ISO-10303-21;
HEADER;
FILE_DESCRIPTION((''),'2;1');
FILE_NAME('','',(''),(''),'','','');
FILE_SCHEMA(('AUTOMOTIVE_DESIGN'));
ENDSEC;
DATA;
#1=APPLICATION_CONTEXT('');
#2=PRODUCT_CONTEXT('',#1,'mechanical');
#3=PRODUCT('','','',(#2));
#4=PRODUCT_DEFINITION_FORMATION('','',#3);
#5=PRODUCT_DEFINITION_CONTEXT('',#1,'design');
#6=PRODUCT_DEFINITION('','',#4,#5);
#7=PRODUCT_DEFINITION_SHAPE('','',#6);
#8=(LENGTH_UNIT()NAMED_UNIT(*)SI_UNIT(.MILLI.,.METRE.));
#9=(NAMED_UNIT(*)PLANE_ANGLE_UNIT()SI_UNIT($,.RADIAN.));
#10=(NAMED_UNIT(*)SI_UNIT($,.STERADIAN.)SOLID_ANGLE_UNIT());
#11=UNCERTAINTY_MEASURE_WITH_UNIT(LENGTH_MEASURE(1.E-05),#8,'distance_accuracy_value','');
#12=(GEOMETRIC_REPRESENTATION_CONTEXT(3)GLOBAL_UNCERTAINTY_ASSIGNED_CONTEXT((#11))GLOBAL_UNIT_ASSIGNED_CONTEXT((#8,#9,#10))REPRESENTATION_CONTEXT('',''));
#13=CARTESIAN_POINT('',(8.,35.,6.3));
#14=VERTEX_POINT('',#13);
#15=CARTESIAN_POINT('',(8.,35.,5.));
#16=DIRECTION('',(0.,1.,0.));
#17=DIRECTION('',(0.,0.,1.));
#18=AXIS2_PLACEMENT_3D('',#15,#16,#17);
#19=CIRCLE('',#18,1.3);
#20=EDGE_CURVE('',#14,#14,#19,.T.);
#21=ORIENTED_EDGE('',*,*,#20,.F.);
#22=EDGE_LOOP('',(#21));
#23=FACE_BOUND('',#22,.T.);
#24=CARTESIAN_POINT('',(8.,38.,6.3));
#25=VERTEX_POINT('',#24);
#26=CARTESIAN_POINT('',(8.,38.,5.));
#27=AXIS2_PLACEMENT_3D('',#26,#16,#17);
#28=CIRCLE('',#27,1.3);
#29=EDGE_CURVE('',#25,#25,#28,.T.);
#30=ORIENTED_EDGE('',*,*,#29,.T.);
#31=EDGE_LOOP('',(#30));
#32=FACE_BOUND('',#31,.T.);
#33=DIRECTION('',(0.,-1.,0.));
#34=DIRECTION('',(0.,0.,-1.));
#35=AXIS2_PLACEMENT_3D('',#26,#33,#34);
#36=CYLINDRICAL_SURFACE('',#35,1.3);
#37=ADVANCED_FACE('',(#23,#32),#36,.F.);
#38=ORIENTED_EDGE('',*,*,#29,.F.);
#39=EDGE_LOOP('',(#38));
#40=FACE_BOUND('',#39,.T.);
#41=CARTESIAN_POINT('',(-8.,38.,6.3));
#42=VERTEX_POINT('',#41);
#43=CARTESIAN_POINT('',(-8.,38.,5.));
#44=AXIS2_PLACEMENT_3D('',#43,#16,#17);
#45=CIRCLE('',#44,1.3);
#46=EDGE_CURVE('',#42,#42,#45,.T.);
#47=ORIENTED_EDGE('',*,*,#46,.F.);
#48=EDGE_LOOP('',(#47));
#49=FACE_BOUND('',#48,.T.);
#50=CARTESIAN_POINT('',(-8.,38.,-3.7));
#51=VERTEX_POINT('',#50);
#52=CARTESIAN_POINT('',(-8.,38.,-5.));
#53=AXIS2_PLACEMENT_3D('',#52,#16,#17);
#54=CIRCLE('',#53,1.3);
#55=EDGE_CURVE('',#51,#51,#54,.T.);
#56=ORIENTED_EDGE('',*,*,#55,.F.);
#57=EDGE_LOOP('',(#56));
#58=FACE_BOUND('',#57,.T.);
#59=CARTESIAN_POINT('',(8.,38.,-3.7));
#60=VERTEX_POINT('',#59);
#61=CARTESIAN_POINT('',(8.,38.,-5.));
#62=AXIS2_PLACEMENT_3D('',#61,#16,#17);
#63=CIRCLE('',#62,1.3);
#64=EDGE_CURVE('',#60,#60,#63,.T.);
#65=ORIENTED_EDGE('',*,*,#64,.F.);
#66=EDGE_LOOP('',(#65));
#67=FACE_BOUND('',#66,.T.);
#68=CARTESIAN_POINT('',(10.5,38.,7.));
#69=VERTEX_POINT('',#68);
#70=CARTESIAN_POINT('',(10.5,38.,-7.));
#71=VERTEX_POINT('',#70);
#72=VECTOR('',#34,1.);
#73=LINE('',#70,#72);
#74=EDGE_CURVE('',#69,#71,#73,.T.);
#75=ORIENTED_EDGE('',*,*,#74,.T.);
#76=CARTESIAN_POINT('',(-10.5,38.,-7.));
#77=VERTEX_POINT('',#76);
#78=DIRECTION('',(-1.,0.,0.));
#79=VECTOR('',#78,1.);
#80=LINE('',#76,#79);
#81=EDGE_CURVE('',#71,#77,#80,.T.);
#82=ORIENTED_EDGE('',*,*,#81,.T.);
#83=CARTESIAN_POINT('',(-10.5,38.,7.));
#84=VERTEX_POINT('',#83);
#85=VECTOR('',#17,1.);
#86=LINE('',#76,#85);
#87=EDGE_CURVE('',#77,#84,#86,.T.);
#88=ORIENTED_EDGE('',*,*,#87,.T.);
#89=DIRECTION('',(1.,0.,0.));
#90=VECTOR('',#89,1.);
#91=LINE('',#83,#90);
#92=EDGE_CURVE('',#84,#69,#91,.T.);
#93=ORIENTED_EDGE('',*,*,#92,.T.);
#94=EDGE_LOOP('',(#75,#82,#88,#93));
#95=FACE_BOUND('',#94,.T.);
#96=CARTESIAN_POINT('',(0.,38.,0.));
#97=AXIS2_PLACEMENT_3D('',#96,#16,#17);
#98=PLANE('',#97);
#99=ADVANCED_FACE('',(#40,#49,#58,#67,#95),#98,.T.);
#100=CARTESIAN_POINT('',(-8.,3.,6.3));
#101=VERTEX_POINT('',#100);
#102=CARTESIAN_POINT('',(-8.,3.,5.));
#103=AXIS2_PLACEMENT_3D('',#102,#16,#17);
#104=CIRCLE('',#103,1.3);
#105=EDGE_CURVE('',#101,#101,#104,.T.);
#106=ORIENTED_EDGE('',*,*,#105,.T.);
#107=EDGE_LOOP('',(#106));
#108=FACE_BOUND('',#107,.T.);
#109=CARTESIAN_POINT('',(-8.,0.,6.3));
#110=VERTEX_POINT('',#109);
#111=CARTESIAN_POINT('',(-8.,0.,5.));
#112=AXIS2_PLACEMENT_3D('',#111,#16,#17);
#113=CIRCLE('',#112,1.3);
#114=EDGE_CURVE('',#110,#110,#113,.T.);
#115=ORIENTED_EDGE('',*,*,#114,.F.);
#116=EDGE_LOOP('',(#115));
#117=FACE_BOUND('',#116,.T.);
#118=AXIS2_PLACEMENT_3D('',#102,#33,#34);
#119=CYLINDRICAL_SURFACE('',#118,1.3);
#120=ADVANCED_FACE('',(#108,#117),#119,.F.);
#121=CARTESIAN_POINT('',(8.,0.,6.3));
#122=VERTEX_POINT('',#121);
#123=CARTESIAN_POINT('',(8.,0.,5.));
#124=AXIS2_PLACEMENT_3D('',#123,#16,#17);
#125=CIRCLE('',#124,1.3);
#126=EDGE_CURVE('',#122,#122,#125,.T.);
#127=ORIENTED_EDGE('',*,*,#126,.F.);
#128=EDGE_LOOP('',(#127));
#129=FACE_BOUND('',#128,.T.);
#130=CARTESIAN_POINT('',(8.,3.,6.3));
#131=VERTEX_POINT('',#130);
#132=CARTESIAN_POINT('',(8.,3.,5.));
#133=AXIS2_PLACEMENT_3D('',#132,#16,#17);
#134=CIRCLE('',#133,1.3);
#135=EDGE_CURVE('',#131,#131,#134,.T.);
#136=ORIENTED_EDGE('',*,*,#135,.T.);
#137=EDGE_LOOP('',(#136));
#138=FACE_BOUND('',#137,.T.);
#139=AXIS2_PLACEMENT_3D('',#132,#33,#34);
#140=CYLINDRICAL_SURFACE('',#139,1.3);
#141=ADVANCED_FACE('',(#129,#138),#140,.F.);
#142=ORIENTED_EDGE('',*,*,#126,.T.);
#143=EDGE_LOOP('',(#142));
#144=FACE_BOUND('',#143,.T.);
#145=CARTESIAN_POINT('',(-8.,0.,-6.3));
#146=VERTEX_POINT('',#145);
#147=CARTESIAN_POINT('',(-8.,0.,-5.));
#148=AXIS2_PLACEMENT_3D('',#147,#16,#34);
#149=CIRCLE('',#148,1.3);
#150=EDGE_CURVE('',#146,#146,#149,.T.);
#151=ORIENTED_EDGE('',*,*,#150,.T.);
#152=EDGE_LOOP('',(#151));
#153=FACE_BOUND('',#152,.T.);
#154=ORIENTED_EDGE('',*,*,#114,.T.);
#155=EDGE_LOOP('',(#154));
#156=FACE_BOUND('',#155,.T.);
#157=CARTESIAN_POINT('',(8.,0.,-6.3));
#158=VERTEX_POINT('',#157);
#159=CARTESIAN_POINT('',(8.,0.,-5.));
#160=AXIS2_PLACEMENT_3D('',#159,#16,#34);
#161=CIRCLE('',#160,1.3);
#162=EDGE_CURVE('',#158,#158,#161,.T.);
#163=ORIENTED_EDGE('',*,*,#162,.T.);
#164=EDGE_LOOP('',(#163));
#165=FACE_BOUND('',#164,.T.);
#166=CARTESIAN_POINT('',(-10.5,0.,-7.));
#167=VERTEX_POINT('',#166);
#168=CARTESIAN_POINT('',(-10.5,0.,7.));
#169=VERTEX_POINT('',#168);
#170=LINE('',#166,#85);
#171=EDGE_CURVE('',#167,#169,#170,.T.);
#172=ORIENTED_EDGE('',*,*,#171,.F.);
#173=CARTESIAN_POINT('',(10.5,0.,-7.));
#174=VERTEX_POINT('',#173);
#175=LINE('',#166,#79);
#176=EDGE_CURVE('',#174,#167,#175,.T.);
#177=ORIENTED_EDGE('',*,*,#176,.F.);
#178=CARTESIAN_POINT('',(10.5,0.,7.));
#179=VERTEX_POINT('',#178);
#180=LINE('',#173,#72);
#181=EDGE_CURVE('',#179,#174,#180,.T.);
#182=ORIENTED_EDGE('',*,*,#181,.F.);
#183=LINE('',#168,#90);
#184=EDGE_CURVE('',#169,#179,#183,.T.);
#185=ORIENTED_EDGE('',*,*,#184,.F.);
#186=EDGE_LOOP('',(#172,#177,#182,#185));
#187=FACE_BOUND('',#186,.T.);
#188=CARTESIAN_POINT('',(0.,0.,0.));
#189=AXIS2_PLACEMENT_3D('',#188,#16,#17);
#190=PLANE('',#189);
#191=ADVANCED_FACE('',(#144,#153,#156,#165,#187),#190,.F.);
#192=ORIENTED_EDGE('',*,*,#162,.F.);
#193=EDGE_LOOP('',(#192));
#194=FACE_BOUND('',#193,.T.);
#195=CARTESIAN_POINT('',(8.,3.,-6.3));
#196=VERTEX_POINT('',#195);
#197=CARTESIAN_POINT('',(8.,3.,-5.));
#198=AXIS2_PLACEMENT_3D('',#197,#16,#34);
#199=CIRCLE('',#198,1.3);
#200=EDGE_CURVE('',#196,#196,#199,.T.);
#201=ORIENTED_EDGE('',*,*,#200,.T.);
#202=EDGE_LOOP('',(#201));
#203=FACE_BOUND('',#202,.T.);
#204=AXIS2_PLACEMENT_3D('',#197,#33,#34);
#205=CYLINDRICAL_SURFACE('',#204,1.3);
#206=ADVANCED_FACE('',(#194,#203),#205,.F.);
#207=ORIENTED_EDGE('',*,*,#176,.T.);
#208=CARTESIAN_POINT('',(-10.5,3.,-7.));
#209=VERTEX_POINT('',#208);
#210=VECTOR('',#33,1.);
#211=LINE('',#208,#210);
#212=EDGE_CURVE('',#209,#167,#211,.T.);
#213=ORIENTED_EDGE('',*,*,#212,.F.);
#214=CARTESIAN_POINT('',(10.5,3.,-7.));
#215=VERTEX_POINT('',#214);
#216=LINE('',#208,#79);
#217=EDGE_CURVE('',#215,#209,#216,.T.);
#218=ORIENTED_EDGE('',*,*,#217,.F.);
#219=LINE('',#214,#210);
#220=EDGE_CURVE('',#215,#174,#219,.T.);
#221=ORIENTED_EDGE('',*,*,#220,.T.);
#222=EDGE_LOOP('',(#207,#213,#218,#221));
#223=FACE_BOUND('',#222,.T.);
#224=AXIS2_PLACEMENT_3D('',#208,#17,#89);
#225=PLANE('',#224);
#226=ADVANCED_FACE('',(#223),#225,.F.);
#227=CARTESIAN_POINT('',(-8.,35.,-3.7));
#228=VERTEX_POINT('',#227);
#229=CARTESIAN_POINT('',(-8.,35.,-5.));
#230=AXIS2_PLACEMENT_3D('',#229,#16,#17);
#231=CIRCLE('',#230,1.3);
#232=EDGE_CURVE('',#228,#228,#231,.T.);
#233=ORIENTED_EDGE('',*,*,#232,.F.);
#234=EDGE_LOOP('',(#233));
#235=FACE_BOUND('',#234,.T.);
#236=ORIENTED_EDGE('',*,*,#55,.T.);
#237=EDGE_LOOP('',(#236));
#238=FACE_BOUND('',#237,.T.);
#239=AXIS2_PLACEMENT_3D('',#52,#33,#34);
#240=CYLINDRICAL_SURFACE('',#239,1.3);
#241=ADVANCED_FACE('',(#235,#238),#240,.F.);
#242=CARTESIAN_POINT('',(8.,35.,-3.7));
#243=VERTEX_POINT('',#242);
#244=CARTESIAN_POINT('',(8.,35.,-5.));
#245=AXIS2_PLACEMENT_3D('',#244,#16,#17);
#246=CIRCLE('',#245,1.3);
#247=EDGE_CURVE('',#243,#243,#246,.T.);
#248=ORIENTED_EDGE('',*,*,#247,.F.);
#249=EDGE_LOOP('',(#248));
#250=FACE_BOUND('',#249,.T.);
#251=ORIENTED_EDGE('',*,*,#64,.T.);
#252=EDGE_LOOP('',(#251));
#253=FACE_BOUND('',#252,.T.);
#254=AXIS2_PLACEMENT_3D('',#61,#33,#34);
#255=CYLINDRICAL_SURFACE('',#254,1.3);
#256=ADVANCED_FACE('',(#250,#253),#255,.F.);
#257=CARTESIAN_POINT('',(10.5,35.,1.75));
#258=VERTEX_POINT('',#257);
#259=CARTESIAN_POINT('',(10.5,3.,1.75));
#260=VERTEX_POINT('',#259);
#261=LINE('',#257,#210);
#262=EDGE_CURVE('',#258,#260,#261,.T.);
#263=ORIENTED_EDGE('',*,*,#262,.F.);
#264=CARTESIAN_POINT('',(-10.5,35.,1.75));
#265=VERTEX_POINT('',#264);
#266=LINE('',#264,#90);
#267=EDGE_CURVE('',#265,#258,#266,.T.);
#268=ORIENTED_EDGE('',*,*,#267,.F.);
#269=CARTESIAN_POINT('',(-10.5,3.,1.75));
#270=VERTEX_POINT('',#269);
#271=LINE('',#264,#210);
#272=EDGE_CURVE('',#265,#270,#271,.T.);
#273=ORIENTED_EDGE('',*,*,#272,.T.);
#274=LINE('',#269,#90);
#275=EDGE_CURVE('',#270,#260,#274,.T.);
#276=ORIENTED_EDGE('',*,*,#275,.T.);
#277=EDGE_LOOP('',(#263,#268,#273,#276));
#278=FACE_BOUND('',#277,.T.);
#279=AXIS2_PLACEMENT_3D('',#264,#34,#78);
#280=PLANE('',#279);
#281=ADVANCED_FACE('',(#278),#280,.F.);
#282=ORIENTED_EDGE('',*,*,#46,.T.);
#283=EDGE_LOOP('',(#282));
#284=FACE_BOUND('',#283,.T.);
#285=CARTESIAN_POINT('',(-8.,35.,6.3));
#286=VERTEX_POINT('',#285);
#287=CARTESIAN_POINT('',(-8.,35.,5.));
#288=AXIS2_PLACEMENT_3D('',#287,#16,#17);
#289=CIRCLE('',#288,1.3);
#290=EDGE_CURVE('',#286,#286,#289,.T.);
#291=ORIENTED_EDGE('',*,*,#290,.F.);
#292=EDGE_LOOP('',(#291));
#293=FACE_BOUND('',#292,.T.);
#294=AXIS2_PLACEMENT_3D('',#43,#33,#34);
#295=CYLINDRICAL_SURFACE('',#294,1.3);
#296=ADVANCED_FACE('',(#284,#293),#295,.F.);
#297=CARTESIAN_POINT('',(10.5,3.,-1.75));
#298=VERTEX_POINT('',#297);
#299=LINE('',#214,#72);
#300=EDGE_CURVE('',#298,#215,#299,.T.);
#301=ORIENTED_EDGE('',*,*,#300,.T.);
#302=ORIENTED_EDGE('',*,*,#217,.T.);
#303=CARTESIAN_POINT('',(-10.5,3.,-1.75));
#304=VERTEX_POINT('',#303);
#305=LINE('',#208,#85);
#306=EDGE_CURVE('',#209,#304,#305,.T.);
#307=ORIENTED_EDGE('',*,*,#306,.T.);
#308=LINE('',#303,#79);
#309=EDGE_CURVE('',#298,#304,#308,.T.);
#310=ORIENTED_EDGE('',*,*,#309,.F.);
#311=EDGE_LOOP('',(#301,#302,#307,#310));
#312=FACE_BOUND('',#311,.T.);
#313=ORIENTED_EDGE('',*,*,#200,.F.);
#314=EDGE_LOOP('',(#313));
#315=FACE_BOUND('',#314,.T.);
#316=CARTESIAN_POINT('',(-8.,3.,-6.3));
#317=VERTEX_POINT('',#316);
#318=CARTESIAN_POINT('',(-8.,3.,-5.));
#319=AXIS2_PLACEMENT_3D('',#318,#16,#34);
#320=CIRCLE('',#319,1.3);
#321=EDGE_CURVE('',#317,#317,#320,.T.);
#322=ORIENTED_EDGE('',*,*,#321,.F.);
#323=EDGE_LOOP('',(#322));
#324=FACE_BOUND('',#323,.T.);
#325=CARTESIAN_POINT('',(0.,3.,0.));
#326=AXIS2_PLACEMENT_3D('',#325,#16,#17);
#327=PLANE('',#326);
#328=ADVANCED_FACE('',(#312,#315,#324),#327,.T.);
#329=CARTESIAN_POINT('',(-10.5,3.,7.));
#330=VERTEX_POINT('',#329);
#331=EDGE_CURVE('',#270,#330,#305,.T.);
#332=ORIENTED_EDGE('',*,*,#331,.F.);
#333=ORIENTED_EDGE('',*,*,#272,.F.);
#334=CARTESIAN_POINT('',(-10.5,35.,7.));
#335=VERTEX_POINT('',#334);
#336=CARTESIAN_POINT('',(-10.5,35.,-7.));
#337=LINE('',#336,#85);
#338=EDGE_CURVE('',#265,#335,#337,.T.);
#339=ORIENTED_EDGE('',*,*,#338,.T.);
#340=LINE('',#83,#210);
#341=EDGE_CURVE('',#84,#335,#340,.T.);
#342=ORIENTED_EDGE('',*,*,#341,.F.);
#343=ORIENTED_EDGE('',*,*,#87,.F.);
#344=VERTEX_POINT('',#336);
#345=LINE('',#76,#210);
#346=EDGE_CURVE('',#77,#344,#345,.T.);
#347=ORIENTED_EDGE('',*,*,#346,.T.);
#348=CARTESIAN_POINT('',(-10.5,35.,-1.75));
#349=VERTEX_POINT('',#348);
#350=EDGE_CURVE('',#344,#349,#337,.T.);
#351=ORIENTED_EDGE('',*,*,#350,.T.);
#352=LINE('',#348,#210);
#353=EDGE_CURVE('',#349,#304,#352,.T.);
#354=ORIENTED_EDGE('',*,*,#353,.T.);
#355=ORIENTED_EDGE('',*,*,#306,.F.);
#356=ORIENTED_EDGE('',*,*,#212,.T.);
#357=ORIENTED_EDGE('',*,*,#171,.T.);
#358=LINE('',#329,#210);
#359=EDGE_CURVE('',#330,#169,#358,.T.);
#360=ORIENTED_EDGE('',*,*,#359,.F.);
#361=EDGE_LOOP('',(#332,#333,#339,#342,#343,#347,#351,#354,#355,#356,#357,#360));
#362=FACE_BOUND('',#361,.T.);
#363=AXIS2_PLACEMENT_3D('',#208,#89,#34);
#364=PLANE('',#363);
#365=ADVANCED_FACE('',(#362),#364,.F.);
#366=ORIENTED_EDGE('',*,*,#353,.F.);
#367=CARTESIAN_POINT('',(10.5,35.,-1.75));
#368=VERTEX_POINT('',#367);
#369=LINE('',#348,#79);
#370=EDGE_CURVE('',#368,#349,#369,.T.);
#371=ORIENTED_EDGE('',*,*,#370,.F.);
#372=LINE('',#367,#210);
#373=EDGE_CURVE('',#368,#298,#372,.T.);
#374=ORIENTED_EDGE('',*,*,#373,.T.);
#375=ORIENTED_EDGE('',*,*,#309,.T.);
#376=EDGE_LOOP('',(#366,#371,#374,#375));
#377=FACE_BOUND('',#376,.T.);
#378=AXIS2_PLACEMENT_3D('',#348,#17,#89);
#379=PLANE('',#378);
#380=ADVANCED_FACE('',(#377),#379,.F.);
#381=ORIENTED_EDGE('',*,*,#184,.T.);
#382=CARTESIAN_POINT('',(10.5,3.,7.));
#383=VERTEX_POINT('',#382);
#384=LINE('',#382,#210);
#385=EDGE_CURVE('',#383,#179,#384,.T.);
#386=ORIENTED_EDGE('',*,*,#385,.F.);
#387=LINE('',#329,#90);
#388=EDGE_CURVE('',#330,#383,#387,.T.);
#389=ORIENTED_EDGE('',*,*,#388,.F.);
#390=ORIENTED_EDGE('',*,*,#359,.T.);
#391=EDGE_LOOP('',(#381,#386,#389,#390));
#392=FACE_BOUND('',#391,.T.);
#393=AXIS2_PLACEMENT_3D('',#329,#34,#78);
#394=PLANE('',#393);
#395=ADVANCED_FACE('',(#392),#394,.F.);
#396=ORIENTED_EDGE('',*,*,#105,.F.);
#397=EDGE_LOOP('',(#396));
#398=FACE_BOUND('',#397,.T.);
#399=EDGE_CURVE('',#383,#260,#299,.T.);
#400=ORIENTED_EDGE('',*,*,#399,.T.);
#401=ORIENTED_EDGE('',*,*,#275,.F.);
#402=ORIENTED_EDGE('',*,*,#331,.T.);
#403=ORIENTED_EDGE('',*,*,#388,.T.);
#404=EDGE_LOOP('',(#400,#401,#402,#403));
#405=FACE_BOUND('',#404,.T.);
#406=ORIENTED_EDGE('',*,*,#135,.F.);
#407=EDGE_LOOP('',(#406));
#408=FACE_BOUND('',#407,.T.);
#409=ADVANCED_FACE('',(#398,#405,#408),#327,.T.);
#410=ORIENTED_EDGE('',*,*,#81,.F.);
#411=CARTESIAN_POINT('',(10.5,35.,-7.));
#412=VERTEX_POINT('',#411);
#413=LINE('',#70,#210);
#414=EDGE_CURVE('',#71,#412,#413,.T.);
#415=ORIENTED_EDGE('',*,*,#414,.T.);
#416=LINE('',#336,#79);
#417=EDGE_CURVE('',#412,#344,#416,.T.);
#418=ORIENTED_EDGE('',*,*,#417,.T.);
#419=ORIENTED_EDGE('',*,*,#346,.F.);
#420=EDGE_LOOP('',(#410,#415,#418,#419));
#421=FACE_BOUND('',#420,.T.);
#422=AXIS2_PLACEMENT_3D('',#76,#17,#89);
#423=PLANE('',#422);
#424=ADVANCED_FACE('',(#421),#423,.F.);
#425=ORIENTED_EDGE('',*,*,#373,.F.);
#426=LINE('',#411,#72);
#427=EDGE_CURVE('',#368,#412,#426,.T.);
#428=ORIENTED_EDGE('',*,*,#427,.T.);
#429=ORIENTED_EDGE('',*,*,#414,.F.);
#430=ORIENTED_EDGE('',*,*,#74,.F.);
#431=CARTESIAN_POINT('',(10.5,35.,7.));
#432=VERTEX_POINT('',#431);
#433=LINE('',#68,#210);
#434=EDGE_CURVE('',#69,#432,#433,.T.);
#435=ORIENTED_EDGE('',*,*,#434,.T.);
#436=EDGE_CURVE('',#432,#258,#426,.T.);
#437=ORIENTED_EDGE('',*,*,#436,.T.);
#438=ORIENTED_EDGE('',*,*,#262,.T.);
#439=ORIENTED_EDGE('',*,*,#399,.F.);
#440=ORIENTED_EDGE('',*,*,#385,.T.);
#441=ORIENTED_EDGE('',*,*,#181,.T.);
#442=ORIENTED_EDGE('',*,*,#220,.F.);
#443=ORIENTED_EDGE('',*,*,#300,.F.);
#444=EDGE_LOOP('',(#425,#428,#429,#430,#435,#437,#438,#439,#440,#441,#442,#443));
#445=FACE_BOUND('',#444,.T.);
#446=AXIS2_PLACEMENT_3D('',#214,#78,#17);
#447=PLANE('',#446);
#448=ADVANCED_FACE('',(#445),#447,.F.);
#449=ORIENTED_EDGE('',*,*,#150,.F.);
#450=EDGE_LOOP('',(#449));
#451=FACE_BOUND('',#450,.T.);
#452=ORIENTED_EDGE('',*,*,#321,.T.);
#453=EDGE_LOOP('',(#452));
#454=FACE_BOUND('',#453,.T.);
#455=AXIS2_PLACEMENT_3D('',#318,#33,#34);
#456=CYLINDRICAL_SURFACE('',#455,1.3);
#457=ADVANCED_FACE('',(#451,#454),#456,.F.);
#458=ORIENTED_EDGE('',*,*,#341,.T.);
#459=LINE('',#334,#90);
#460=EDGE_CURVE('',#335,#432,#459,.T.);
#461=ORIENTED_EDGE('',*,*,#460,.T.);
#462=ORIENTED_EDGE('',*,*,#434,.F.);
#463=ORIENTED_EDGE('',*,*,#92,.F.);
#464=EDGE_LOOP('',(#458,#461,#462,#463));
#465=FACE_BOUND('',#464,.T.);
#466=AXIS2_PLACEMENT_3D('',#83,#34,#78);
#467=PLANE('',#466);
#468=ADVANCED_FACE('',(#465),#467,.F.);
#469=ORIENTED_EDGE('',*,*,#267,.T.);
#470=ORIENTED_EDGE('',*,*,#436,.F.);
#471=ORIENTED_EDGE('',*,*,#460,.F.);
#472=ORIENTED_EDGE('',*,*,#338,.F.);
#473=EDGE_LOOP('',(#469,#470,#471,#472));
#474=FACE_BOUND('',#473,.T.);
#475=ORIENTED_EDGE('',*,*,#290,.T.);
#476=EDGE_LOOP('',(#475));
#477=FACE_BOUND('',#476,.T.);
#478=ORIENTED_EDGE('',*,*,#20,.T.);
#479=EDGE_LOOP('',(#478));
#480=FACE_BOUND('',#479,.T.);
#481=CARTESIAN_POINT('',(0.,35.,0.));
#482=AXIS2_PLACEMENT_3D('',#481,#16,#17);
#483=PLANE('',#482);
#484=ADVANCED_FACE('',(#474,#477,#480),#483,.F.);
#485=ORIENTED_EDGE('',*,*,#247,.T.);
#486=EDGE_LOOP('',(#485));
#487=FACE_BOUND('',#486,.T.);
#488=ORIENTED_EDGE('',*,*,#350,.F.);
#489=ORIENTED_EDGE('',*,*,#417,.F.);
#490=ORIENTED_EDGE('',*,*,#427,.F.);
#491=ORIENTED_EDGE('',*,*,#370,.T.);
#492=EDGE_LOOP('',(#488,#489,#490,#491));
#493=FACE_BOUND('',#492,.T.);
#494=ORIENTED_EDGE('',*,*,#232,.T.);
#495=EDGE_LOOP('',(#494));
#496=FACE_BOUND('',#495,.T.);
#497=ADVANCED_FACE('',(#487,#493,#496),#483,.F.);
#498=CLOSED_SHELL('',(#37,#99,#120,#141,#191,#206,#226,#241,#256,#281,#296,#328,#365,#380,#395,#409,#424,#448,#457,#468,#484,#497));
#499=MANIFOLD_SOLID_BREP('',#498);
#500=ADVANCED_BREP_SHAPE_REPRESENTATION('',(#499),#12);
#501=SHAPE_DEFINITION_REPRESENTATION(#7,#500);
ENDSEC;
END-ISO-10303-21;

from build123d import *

# Parameters (mm, degrees)
SKETCH3_W           = 21
SKETCH3_H           = 14
SKETCH3_R           = 1.3
BOSS_EXTRUDE1_DEPTH = 3
SKETCH4_W           = 21
SKETCH4_H           = 3.5
BOSS_EXTRUDE2_DEPTH = 32
SKETCH5_W           = 21
SKETCH5_H           = 14
SKETCH5_R           = 1.3
BOSS_EXTRUDE3_DEPTH = 3


with BuildPart() as part:
    # Sketch3 → Boss-Extrude1 (new body)
    with BuildSketch(Plane(origin=(0, 0, 0), x_dir=(1, 0, 0), z_dir=(0, 1, 0))):
        Rectangle(SKETCH3_W, SKETCH3_H)
        with Locations(Location((-8, -5, 0), (0, 0, 270))):
            Circle(SKETCH3_R, mode=Mode.SUBTRACT)
        with Locations(Location((8, -5, 0), (0, 0, 270))):
            Circle(SKETCH3_R, mode=Mode.SUBTRACT)
        with Locations(Location((8, 5, 0), (0, 0, 90))):
            Circle(SKETCH3_R, mode=Mode.SUBTRACT)
        with Locations(Location((-8, 5, 0), (0, 0, 90))):
            Circle(SKETCH3_R, mode=Mode.SUBTRACT)
    extrude(amount=BOSS_EXTRUDE1_DEPTH)

    # Sketch4 → Boss-Extrude2 (add)
    with BuildSketch(Plane(origin=(0, 3, 0), x_dir=(1, 0, 0), z_dir=(0, 1, 0))):
        Rectangle(SKETCH4_W, SKETCH4_H)
    extrude(amount=BOSS_EXTRUDE2_DEPTH)

    # Sketch5 → Boss-Extrude3 (add)
    with BuildSketch(Plane(origin=(0, 35, 0), x_dir=(1, 0, 0), z_dir=(0, 1, 0))):
        Rectangle(SKETCH5_W, SKETCH5_H)
        with Locations(Location((-8, -5, 0), (0, 0, 270))):
            Circle(SKETCH5_R, mode=Mode.SUBTRACT)
        with Locations(Location((-8, 5, 0), (0, 0, 90))):
            Circle(SKETCH5_R, mode=Mode.SUBTRACT)
        with Locations(Location((8, 5, 0), (0, 0, 90))):
            Circle(SKETCH5_R, mode=Mode.SUBTRACT)
        with Locations(Location((8, -5, 0), (0, 0, 270))):
            Circle(SKETCH5_R, mode=Mode.SUBTRACT)
    extrude(amount=BOSS_EXTRUDE3_DEPTH)


solid = part.part
